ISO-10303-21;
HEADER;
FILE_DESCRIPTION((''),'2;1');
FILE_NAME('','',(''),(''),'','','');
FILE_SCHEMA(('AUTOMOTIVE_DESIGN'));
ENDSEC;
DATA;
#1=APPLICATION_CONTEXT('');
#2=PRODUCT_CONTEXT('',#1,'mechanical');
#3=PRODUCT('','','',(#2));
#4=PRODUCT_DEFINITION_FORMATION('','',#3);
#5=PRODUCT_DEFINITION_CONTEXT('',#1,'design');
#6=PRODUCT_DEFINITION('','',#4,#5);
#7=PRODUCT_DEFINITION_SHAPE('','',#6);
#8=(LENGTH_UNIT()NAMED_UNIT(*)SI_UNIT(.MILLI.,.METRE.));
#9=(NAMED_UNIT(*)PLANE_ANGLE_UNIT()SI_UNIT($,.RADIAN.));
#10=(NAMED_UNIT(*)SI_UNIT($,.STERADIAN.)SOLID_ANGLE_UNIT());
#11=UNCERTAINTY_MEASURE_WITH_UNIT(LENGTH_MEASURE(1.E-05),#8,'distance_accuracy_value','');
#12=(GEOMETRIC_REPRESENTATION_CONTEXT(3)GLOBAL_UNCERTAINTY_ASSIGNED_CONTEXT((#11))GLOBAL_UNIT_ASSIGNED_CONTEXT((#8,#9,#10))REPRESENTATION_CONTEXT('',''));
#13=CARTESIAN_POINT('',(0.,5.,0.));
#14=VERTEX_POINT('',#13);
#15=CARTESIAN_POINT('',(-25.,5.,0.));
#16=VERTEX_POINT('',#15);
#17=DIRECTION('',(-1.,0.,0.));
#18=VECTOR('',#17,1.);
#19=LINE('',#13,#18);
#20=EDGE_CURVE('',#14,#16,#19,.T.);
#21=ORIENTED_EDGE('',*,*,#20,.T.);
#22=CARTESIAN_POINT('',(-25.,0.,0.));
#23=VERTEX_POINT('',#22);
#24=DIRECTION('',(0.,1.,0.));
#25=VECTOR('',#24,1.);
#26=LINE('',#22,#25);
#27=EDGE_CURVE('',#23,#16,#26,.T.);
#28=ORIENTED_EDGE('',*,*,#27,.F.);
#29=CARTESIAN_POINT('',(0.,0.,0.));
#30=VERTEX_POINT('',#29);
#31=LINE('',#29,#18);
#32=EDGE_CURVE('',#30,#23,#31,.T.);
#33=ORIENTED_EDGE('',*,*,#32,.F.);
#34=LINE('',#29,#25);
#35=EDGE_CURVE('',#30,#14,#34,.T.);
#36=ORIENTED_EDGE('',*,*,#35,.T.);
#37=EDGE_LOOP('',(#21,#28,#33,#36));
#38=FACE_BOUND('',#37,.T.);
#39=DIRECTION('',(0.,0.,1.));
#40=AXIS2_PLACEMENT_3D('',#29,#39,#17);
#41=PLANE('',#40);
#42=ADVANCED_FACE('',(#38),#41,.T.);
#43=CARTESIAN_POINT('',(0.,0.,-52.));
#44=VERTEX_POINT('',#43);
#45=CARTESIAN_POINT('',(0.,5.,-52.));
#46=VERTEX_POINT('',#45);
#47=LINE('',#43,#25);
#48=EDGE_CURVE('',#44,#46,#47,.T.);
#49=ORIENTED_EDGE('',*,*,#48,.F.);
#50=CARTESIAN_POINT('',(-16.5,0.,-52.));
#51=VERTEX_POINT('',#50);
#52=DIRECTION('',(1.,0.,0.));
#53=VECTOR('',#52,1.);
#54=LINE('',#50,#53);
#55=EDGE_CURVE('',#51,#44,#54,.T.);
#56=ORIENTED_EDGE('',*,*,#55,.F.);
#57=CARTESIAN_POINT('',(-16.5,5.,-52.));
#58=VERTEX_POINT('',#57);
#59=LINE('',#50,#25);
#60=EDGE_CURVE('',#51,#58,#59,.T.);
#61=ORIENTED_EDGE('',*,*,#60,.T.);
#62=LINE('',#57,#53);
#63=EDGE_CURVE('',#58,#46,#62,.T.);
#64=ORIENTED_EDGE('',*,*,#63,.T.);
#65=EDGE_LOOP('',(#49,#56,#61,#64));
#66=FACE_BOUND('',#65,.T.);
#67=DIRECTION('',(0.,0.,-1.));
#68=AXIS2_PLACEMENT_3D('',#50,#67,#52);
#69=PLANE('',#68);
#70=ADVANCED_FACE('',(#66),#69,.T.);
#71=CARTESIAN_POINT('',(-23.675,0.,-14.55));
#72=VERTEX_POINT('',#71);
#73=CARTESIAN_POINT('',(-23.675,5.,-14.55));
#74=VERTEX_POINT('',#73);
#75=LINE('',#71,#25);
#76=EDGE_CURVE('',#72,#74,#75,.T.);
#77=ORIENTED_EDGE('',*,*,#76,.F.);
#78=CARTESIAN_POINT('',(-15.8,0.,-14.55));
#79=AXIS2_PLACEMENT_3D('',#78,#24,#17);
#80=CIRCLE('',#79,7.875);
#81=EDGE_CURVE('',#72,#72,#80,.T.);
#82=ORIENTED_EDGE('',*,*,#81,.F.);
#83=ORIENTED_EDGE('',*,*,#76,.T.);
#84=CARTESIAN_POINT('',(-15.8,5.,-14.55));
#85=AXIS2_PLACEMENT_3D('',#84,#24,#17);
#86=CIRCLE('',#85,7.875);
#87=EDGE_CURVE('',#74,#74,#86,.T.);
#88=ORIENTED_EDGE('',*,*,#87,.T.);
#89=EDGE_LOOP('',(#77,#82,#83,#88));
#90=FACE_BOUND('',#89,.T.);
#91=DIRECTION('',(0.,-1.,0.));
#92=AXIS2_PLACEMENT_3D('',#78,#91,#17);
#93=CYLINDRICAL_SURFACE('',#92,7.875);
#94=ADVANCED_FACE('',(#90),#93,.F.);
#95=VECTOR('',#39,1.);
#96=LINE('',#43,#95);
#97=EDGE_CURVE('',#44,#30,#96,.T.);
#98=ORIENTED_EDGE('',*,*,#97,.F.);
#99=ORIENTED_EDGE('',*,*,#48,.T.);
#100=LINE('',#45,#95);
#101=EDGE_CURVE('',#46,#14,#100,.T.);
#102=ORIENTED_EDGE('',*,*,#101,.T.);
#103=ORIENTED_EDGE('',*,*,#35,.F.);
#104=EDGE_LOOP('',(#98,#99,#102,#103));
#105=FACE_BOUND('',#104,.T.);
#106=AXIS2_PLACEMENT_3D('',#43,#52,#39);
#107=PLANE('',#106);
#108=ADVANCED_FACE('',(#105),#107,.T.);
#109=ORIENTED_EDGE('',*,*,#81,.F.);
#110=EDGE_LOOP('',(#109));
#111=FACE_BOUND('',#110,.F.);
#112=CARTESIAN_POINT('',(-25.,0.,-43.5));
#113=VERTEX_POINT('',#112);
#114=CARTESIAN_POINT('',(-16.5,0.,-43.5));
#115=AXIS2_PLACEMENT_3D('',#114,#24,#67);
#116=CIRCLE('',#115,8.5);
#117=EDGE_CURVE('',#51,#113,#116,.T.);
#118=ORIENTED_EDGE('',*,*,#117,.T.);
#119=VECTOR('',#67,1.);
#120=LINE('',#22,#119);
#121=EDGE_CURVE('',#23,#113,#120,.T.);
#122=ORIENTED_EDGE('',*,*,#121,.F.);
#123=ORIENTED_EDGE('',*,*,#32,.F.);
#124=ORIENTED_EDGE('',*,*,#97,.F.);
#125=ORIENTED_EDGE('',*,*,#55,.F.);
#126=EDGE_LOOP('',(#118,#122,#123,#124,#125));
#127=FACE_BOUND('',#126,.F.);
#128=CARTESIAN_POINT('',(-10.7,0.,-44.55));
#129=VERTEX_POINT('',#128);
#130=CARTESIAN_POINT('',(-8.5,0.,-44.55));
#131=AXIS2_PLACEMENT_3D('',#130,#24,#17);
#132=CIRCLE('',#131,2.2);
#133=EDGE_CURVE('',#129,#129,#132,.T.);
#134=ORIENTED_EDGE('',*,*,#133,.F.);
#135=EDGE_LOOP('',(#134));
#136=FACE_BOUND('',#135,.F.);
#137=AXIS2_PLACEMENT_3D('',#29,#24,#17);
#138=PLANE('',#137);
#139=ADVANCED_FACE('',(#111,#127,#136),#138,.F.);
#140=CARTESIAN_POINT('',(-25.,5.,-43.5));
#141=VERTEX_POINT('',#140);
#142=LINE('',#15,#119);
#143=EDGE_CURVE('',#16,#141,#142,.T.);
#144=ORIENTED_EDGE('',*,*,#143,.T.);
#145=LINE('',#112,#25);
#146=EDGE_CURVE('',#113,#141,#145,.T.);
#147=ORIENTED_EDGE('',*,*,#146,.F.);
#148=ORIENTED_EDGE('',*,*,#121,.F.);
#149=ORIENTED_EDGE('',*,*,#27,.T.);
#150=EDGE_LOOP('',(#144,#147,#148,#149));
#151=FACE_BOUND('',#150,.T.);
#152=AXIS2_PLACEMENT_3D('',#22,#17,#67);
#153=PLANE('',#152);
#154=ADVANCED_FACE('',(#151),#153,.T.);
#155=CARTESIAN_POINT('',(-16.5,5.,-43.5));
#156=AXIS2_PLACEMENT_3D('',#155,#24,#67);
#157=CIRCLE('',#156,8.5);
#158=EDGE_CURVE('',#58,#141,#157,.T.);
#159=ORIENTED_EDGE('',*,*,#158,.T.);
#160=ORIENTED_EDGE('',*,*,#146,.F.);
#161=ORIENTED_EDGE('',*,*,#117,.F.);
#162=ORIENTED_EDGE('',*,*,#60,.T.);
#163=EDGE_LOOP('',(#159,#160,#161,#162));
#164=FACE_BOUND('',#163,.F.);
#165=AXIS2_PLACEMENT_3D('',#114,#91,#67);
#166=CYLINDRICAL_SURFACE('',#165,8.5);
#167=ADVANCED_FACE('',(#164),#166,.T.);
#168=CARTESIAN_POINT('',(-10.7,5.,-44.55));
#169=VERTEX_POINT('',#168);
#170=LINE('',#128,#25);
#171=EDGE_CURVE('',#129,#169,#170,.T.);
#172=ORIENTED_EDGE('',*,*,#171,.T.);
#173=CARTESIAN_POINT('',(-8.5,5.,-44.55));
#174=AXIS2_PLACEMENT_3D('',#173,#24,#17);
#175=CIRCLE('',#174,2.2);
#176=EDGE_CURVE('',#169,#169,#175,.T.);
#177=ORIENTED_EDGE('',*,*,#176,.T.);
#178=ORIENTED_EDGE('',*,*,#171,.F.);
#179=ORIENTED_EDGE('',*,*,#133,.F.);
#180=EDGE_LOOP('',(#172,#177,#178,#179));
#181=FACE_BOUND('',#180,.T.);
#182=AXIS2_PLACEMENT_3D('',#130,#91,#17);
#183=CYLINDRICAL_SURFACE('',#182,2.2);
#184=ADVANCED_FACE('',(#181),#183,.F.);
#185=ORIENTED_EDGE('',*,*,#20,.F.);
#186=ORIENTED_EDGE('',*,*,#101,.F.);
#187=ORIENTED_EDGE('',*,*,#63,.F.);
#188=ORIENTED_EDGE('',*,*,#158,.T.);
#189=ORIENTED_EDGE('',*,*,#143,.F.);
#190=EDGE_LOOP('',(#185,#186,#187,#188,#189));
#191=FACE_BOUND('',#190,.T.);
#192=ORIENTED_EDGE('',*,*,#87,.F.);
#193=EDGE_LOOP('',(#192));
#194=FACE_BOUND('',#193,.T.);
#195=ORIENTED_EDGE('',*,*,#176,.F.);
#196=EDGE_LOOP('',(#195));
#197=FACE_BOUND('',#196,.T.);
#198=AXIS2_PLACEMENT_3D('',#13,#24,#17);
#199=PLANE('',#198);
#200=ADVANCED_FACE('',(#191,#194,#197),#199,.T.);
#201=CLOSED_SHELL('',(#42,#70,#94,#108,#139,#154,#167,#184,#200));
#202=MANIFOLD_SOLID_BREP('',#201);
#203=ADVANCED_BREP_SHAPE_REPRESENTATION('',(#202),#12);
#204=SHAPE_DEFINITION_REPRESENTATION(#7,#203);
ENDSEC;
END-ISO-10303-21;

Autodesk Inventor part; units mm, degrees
ref_plane "YZ Plane" through (0, 0, 0) normal (1, 0, 0) x (0, 1, 0)
ref_plane "XZ Plane" through (0, 0, 0) normal (0, 1, 0) x (-1, 0, 0)
ref_plane "XY Plane" through (0, 0, 0) normal (0, 0, 1) x (1, 0, 0)
sketch "Sketch1" plane through (0, 0, 0) normal (0, 1, 0) x (-1, 0, 0)
  line L0 (0, 0) -> (25, 0)
  line L1 (25, 0) -> (25, -43.5)
  line L2 (16.5, -52) -> (0, -52)
  line L3 (0, -52) -> (0, 0)
  arc A0 (16.5, -52) -> (25, -43.5) centre (16.5, -43.5) ccw
  circle A1 centre (15.8, -14.55) radius 7.875
  circle A2 centre (8.5, -44.55) radius 2.2
  line L4 (5, 10.2052) -> (5, -72.053) construction
  point P0 (25, -52)
  dimension "d0" = 25
  dimension "d1" = 52
  dimension "d2" = 8.5
  dimension "d3" = 15.75
  dimension "d4" = 4.4
  dimension "d5" = 16.5
  dimension "d6" = 7.45
  dimension "d7" = 20
  dimension "d8" = 9.2
  dimension "d9" = 30
extrude "Extrusion1" add sketch "Sketch1" along normal blind 5
properties part number "corner spacers"
